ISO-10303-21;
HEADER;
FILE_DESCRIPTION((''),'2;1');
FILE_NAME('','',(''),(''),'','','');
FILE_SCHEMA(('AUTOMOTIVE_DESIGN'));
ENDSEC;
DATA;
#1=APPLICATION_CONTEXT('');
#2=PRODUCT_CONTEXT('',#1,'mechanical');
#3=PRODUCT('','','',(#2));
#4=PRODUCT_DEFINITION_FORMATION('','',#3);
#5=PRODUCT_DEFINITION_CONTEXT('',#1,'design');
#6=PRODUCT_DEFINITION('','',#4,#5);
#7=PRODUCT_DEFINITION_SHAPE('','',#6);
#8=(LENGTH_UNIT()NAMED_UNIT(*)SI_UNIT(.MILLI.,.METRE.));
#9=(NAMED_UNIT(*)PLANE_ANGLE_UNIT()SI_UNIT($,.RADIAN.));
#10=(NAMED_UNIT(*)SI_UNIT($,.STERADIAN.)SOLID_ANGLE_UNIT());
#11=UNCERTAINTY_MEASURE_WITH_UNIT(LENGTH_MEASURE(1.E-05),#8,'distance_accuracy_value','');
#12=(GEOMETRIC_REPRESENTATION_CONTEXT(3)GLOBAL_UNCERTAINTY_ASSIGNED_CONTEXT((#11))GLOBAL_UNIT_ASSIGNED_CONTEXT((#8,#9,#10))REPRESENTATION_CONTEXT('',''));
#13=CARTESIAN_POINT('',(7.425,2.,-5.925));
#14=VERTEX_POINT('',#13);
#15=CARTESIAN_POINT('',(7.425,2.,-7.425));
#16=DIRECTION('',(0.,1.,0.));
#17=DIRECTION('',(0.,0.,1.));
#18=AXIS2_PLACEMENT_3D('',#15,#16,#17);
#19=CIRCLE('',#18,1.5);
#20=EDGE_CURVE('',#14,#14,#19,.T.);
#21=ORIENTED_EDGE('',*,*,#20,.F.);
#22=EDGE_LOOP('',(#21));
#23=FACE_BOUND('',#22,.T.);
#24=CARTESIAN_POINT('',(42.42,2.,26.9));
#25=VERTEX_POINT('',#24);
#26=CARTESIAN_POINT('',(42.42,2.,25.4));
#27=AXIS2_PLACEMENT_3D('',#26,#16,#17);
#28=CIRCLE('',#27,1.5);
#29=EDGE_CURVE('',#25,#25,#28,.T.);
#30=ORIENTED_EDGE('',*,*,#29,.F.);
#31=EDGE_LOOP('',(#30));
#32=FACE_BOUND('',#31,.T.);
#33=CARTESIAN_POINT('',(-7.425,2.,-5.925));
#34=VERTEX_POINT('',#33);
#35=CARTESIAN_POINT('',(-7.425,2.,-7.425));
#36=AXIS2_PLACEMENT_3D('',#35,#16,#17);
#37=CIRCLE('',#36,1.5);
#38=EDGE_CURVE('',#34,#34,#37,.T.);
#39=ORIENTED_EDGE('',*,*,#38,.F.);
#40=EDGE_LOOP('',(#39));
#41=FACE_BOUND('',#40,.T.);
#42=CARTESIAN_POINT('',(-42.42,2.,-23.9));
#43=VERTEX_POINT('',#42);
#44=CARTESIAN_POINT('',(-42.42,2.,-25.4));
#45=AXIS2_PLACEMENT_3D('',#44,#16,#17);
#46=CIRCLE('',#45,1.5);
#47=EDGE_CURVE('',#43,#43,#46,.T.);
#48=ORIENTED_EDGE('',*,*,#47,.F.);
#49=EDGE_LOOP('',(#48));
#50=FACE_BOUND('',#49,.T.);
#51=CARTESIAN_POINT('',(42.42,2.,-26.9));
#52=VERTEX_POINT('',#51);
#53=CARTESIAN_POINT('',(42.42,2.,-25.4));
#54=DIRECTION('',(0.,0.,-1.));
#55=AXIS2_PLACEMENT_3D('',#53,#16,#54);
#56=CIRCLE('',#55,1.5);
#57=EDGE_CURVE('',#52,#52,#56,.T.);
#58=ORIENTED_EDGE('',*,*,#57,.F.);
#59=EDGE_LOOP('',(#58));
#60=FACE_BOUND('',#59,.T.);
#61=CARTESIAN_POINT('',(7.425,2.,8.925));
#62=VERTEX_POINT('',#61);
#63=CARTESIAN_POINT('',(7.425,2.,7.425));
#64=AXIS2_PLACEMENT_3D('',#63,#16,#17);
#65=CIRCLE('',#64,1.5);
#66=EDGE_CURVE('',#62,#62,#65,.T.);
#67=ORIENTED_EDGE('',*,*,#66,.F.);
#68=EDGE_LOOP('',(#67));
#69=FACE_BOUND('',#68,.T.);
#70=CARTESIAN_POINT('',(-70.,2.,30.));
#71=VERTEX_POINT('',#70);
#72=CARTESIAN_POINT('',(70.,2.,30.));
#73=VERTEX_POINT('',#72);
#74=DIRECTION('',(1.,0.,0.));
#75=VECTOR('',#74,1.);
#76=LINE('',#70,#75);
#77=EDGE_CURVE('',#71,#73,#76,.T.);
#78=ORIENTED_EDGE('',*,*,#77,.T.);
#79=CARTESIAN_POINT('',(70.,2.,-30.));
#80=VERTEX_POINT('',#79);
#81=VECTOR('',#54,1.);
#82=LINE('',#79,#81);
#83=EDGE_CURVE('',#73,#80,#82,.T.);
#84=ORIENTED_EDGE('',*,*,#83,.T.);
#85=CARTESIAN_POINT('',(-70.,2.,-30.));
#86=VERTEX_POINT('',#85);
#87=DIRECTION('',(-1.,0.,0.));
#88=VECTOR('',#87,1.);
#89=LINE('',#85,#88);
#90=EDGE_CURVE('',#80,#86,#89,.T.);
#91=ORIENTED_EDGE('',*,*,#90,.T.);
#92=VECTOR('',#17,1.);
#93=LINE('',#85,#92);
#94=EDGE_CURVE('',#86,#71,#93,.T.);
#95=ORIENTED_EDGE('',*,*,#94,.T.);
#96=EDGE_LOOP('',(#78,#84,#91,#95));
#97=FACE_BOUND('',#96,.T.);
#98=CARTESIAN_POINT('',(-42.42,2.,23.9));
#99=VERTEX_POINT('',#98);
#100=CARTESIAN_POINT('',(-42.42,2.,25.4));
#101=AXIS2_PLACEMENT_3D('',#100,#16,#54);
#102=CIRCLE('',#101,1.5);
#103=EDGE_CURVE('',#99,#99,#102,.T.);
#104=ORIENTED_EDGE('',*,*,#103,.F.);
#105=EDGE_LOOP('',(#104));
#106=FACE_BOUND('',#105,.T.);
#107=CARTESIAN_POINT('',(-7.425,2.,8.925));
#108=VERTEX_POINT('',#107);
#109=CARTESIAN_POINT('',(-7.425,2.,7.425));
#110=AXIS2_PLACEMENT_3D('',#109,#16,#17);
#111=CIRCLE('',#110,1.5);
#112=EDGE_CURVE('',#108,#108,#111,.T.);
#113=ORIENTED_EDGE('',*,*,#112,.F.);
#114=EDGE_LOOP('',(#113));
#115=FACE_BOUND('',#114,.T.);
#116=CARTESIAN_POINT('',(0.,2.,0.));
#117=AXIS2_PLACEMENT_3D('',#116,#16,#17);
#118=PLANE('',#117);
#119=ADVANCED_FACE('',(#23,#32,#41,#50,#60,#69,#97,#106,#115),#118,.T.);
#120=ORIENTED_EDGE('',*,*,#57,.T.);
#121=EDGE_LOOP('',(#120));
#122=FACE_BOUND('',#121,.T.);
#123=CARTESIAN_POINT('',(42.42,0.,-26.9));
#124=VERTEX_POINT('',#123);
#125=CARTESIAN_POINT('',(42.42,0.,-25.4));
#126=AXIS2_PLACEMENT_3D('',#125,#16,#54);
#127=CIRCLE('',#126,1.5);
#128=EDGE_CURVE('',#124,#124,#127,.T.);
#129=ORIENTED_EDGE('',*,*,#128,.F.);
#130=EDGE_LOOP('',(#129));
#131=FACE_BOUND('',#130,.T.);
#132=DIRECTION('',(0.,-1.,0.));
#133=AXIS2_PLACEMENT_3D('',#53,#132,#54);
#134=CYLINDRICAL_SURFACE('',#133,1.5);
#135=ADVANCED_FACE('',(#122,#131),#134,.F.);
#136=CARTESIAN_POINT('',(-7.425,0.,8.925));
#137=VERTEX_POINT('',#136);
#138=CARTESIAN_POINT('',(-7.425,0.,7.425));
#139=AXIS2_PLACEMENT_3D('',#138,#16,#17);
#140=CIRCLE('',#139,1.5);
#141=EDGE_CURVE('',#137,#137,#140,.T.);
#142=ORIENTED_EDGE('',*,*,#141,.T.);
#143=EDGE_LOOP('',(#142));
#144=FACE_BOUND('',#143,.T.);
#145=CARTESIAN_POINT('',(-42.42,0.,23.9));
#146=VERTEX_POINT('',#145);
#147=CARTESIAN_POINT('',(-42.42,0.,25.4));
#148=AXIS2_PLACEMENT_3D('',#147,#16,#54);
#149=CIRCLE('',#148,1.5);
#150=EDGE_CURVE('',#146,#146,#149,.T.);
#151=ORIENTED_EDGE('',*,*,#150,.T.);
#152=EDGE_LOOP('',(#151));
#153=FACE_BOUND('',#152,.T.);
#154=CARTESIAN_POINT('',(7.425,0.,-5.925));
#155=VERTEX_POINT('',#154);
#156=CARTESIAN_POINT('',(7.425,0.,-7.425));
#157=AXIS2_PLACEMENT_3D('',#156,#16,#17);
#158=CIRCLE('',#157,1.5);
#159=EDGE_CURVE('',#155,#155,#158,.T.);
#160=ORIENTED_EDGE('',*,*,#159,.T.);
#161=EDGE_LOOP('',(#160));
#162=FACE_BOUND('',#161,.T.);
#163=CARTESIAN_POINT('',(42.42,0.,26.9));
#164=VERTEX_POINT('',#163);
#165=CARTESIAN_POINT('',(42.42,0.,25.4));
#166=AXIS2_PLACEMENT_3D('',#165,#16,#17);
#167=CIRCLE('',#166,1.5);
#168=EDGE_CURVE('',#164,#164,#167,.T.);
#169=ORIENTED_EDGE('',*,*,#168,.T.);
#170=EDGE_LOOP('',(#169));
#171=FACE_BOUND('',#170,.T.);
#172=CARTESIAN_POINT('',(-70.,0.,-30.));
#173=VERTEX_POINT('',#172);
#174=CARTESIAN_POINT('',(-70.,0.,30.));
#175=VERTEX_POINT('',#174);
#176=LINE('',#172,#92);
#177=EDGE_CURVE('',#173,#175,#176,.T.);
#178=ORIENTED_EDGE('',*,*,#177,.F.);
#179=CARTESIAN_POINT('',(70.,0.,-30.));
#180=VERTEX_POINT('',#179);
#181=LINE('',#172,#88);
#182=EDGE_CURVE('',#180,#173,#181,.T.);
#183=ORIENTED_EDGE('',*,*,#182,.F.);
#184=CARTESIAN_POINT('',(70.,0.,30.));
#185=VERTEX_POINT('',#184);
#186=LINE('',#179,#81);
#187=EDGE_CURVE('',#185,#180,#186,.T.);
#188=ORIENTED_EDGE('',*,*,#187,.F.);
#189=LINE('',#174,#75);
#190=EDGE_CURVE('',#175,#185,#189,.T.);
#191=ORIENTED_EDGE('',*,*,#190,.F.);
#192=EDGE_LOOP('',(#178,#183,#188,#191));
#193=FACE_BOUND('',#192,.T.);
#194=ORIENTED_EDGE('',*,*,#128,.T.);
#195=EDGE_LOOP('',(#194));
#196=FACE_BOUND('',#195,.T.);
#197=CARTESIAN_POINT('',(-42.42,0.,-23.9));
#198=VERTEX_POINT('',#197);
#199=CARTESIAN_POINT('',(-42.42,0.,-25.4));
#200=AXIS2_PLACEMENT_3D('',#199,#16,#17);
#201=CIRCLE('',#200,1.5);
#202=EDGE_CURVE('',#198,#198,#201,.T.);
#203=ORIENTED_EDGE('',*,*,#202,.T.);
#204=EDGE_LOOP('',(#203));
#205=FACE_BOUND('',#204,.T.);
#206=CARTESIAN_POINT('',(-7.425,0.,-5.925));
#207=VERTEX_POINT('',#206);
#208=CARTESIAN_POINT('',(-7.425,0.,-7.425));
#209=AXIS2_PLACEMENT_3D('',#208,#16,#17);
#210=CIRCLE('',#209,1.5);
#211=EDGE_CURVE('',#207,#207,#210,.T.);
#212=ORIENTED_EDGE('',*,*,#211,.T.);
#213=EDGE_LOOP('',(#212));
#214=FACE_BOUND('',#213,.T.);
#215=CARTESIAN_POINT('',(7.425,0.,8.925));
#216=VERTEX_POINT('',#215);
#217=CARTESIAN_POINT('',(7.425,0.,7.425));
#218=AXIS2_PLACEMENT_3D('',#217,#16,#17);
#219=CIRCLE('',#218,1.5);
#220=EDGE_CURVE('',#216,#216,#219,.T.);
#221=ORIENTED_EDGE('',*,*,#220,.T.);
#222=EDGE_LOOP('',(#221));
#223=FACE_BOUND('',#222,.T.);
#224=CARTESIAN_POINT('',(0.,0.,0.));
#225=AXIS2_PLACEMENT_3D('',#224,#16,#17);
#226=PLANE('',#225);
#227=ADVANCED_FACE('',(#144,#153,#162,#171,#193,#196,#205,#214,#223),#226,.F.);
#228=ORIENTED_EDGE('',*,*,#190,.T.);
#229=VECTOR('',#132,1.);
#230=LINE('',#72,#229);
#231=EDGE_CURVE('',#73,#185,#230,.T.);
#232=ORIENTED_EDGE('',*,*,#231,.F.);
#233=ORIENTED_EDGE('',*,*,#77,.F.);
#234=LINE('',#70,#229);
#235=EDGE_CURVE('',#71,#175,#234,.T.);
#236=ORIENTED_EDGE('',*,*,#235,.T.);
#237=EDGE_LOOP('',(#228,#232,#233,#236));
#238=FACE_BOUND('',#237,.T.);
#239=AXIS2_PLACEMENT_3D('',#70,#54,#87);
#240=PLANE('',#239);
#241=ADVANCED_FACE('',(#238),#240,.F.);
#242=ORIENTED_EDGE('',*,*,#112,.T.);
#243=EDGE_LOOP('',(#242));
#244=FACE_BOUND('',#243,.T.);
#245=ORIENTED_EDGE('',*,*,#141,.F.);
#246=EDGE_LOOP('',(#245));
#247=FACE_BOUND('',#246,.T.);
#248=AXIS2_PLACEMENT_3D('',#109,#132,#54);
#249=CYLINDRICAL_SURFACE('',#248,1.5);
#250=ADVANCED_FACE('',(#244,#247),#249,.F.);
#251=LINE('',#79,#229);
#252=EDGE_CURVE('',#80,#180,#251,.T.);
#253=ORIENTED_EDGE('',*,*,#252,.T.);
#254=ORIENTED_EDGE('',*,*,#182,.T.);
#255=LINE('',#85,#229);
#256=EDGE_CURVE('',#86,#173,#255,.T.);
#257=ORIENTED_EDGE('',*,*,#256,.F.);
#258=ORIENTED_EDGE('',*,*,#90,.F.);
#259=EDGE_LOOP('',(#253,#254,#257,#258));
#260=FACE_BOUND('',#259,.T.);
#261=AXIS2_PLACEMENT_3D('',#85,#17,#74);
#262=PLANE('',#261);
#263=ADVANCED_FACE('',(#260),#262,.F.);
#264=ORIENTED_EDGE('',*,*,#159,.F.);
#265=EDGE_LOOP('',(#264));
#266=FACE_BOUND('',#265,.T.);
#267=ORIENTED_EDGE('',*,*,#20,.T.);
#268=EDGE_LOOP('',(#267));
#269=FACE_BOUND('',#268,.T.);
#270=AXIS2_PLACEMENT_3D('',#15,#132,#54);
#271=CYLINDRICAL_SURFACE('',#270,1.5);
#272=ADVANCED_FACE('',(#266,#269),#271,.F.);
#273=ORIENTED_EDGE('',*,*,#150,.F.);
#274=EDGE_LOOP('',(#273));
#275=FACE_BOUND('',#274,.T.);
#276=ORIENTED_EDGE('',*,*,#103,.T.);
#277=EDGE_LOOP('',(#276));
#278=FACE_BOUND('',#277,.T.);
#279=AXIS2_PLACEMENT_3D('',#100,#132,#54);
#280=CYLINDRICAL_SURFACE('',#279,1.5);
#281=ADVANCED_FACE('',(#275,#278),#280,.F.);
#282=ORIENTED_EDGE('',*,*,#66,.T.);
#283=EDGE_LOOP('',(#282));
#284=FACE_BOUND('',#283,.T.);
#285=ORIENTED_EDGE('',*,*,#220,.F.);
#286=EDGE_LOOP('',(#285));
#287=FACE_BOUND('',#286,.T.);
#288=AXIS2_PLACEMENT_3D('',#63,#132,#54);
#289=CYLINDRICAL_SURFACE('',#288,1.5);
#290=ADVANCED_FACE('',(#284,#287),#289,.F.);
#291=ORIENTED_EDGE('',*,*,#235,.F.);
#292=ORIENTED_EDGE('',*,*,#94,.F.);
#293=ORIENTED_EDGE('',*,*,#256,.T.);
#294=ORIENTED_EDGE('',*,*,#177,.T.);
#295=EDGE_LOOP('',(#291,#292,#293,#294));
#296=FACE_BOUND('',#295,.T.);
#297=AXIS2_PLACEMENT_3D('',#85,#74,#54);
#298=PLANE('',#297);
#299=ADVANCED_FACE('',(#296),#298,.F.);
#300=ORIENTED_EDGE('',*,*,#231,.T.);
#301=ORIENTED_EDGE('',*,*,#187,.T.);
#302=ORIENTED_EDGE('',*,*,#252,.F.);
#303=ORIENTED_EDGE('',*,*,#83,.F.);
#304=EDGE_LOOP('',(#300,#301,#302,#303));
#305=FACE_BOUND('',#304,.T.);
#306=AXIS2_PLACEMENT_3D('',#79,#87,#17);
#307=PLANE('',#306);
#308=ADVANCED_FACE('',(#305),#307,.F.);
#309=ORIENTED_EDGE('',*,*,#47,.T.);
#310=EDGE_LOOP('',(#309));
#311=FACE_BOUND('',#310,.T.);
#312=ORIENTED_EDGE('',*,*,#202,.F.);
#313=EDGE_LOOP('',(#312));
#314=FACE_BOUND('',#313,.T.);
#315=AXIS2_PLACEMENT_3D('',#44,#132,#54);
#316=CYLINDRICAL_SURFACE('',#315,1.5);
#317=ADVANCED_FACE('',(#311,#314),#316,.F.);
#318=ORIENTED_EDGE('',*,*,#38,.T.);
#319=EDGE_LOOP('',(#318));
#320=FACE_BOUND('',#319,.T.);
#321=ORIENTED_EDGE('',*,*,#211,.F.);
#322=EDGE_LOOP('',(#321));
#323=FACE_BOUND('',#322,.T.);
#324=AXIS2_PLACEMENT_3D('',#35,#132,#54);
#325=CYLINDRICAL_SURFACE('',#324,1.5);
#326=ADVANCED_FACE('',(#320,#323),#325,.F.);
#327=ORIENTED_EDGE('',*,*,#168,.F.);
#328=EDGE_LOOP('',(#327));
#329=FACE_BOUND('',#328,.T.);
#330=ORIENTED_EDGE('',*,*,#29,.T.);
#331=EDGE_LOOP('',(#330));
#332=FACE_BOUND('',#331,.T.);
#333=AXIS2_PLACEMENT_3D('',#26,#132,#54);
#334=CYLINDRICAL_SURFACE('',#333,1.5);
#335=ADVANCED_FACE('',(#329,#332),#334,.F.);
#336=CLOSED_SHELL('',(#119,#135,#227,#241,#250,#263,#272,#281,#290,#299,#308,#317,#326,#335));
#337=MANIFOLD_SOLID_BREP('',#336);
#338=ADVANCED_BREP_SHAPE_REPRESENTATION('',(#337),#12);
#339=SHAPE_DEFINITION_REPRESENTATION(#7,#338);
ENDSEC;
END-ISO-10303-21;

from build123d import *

# Parameters (mm, degrees)
SKETCH_1_W      = 140
SKETCH_1_H      = 60
SKETCH_1_R      = 1.5
EXTRUDE_1_DEPTH = 2


with BuildPart() as part:
    # 草图1 → 凸台-拉伸1 (new body)
    with BuildSketch(Plane(origin=(0, 0, 0), x_dir=(1, 0, 0), z_dir=(0, 1, 0))):
        Rectangle(SKETCH_1_W, SKETCH_1_H)
        with Locations((-42.42, 25.4)):
            Circle(SKETCH_1_R, mode=Mode.SUBTRACT)
        with Locations((-42.42, -25.4)):
            Circle(SKETCH_1_R, mode=Mode.SUBTRACT)
        with Locations((42.42, -25.4)):
            Circle(SKETCH_1_R, mode=Mode.SUBTRACT)
        with Locations((42.42, 25.4)):
            Circle(SKETCH_1_R, mode=Mode.SUBTRACT)
        with Locations((-7.425, 7.425)):
            Circle(SKETCH_1_R, mode=Mode.SUBTRACT)
        with Locations((7.425, 7.425)):
            Circle(SKETCH_1_R, mode=Mode.SUBTRACT)
        with Locations((7.425, -7.425)):
            Circle(SKETCH_1_R, mode=Mode.SUBTRACT)
        with Locations((-7.425, -7.425)):
            Circle(SKETCH_1_R, mode=Mode.SUBTRACT)
    extrude(amount=EXTRUDE_1_DEPTH)


solid = part.part
